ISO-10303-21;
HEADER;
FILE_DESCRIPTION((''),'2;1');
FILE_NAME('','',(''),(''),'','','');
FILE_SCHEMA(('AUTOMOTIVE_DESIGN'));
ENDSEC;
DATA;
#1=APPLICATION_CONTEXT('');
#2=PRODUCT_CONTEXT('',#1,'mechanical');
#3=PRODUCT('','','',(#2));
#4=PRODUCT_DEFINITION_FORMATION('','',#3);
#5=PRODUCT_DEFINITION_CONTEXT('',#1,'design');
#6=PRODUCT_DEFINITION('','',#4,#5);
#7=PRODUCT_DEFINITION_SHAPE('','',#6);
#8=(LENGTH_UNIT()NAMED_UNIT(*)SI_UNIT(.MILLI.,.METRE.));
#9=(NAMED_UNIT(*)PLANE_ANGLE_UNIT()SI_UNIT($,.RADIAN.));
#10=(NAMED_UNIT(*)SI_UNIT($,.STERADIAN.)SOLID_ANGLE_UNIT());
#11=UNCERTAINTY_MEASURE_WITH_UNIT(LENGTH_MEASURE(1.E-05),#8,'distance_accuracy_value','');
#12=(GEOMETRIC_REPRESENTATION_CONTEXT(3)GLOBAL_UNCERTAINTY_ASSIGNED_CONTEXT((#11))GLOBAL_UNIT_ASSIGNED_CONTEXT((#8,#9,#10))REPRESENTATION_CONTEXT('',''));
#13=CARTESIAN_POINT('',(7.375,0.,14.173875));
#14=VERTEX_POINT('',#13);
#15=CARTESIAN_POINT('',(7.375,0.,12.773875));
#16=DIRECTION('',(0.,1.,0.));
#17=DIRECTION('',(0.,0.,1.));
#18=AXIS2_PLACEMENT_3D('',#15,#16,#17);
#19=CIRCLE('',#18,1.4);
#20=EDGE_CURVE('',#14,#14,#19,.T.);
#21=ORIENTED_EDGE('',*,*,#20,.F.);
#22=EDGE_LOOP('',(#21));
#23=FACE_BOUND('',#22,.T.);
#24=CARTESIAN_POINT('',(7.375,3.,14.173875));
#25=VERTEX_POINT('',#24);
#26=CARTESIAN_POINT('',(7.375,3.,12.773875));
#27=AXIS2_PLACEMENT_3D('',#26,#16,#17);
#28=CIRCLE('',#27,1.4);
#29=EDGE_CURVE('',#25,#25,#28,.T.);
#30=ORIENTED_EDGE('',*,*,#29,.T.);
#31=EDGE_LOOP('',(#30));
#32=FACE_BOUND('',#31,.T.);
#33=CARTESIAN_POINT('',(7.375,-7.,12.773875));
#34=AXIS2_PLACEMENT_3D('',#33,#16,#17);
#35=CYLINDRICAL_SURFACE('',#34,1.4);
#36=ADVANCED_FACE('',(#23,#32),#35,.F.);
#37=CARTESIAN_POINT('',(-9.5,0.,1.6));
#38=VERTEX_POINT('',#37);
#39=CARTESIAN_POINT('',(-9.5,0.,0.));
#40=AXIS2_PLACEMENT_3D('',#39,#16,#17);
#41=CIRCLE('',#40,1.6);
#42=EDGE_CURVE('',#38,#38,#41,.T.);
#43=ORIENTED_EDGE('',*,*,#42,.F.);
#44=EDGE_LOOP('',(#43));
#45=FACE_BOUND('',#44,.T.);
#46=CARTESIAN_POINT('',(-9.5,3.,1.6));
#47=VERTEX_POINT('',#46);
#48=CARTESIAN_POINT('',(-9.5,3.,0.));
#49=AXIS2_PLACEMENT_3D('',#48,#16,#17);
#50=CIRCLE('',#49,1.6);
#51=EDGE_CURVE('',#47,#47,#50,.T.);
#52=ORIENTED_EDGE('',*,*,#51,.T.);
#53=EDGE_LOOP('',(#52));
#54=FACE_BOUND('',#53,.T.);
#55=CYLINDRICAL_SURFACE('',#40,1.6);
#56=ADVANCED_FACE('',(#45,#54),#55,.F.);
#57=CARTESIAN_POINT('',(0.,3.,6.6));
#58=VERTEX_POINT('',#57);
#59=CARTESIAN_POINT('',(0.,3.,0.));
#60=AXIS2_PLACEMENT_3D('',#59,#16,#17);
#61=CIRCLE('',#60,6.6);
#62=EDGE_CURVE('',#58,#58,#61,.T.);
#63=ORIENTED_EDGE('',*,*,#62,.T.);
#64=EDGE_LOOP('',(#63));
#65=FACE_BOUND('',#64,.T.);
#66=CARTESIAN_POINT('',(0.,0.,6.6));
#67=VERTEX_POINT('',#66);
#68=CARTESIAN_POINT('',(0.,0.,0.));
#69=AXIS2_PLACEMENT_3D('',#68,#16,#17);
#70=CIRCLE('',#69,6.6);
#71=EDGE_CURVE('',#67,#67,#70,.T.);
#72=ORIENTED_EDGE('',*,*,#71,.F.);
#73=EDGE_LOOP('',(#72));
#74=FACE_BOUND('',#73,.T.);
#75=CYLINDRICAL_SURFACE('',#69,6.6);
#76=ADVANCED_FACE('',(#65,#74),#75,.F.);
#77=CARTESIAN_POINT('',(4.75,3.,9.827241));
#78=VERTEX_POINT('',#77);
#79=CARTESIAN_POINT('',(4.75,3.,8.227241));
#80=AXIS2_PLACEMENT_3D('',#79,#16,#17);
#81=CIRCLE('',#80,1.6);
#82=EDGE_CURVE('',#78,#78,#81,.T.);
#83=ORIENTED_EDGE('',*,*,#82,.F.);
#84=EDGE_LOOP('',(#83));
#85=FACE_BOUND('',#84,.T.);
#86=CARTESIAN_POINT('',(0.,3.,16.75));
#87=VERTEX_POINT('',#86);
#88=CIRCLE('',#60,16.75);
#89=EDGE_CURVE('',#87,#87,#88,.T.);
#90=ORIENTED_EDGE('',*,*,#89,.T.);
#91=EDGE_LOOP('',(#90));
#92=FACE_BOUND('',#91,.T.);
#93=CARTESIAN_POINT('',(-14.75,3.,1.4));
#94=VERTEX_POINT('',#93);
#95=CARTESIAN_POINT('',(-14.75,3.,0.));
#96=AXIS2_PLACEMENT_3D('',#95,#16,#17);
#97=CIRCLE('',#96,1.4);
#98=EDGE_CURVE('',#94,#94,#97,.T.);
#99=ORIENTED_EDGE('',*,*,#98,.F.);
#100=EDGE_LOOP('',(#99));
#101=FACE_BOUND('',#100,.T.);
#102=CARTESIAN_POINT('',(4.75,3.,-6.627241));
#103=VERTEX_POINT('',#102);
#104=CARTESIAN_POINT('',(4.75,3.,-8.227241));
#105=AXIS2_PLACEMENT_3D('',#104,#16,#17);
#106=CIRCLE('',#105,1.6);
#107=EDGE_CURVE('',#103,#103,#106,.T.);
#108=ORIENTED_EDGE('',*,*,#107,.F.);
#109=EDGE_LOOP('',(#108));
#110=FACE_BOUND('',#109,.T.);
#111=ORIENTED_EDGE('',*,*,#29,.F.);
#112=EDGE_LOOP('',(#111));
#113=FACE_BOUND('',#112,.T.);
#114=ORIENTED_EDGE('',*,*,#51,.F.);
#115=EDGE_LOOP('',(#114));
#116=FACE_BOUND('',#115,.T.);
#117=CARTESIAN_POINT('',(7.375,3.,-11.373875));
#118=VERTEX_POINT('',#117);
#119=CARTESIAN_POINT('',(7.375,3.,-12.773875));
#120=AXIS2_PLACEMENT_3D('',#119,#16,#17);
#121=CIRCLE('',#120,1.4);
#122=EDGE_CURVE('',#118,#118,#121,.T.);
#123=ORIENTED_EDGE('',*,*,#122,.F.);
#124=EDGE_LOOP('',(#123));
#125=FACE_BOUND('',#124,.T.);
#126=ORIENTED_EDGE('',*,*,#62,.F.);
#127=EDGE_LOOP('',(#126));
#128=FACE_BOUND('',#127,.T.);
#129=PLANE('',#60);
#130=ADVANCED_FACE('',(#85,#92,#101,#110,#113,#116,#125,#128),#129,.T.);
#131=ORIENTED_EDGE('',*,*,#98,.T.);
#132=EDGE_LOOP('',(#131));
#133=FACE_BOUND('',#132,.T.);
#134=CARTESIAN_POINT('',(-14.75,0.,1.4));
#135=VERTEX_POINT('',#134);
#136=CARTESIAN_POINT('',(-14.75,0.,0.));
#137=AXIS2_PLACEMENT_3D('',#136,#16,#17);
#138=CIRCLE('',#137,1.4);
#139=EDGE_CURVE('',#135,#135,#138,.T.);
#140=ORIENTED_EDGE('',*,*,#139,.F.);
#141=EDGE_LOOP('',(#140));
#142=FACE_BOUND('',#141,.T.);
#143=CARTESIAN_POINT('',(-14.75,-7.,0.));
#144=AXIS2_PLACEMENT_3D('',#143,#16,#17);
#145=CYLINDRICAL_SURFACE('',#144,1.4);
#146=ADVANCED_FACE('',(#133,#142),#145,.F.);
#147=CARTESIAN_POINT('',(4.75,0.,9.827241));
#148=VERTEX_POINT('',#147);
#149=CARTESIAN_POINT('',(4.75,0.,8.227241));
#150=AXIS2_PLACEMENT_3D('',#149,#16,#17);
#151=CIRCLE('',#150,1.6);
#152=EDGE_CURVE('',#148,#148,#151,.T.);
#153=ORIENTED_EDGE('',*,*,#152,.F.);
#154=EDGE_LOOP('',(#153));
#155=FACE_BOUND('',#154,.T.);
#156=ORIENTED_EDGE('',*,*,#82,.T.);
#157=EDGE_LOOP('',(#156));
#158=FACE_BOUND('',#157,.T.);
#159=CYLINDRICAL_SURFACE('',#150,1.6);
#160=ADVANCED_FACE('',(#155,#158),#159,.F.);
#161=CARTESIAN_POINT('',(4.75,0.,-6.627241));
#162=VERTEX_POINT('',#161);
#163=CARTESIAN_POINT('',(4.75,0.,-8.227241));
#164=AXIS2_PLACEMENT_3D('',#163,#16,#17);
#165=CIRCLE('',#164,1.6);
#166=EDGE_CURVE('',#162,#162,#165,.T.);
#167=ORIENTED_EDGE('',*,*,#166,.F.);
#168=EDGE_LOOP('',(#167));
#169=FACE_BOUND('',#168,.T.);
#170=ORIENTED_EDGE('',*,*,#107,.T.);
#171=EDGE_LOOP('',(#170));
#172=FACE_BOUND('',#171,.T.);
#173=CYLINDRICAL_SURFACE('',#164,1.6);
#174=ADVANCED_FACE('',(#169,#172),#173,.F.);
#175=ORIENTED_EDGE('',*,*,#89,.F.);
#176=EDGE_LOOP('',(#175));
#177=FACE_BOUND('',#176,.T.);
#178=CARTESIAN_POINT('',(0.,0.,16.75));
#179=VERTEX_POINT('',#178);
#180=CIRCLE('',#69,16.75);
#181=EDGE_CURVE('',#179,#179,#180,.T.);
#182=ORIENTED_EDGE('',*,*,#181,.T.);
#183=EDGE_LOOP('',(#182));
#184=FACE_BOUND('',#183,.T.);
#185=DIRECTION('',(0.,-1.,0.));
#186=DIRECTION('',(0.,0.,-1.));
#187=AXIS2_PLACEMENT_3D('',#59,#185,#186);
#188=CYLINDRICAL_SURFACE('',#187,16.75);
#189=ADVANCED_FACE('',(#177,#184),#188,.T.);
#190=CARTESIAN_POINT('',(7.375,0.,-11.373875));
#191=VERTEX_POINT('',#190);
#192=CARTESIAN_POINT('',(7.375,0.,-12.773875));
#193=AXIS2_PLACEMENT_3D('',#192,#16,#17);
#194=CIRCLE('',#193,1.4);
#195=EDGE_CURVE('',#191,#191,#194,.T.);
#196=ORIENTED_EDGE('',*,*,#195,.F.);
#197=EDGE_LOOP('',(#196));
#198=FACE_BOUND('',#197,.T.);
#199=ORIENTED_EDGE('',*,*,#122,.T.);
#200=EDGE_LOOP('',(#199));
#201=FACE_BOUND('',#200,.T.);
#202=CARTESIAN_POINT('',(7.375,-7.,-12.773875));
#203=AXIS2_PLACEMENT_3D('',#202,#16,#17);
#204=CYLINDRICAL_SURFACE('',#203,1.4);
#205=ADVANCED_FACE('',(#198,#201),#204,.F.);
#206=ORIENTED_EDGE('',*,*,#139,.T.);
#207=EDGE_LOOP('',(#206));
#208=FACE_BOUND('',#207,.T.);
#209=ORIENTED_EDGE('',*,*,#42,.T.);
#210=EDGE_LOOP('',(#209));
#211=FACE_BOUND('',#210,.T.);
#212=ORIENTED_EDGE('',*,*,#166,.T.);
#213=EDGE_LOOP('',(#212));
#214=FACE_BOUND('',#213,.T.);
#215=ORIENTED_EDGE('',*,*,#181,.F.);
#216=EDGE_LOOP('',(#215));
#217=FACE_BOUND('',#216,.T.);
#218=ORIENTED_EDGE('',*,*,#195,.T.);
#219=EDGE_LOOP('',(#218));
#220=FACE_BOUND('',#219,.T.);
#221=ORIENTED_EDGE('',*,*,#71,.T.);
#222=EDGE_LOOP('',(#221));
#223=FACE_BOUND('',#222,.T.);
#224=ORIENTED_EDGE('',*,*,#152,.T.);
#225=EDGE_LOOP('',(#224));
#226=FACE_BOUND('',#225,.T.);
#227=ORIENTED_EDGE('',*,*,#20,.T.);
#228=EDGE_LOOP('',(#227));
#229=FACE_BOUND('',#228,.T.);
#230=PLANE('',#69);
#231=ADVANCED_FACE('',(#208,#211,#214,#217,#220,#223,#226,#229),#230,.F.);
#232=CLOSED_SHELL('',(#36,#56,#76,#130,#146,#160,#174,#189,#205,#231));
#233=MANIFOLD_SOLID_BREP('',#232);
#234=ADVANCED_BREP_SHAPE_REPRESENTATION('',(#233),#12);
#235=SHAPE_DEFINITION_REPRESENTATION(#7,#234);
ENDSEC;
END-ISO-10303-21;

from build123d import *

# Parameters (mm, degrees)
SKETCH_1_R          = 16.75
EXTRUDE_1_DEPTH     = 3
SKETCH_2_R          = 1.6
CUT_EXTRUDE_1_DEPTH = 3
SKETCH_3_R          = 6.6
CUT_EXTRUDE_2_DEPTH = 3
SKETCH_4_R          = 1.4
CUT_EXTRUDE_3_DEPTH = 10


with BuildPart() as part:
    # 草图1 → 凸台-拉伸1 (new body)
    with BuildSketch(Plane(origin=(0, 0, 0), x_dir=(1, 0, 0), z_dir=(0, 1, 0))):
        with Locations(Location((0, 0, 0), (0, 0, 270))):
            Circle(SKETCH_1_R)
    extrude(amount=EXTRUDE_1_DEPTH)

    # 草图2 → 切除-拉伸1 (cut)
    with BuildSketch(Plane(origin=(0, 3, 0), x_dir=(1, 0, 0), z_dir=(0, 1, 0))):
        with Locations(Location((4.75, 8.227241336, 0), (0, 0, 270))):
            Circle(SKETCH_2_R)
        with Locations(Location((4.75, -8.227241336, 0), (0, 0, 270))):
            Circle(SKETCH_2_R)
        with Locations(Location((-9.5, 0, 0), (0, 0, 270))):
            Circle(SKETCH_2_R)
    extrude(amount=-CUT_EXTRUDE_1_DEPTH, mode=Mode.SUBTRACT)

    # 草图3 → 切除-拉伸2 (cut)
    with BuildSketch(Plane(origin=(0, 3, 0), x_dir=(1, 0, 0), z_dir=(0, 1, 0))):
        with Locations(Location((0, 0, 0), (0, 0, 270))):
            Circle(SKETCH_3_R)
    extrude(amount=-CUT_EXTRUDE_2_DEPTH, mode=Mode.SUBTRACT)

    # 草图4 → 切除-拉伸3 (cut)
    with BuildSketch(Plane(origin=(0, 3, 0), x_dir=(1, 0, 0), z_dir=(0, 1, 0))):
        with Locations(Location((-14.75, 0, 0), (0, 0, 270))):
            Circle(SKETCH_4_R)
        with Locations(Location((7.375, 12.773874706, 0), (0, 0, 270))):
            Circle(SKETCH_4_R)
        with Locations(Location((7.375, -12.773874706, 0), (0, 0, 270))):
            Circle(SKETCH_4_R)
    extrude(amount=-CUT_EXTRUDE_3_DEPTH, mode=Mode.SUBTRACT)


solid = part.part
